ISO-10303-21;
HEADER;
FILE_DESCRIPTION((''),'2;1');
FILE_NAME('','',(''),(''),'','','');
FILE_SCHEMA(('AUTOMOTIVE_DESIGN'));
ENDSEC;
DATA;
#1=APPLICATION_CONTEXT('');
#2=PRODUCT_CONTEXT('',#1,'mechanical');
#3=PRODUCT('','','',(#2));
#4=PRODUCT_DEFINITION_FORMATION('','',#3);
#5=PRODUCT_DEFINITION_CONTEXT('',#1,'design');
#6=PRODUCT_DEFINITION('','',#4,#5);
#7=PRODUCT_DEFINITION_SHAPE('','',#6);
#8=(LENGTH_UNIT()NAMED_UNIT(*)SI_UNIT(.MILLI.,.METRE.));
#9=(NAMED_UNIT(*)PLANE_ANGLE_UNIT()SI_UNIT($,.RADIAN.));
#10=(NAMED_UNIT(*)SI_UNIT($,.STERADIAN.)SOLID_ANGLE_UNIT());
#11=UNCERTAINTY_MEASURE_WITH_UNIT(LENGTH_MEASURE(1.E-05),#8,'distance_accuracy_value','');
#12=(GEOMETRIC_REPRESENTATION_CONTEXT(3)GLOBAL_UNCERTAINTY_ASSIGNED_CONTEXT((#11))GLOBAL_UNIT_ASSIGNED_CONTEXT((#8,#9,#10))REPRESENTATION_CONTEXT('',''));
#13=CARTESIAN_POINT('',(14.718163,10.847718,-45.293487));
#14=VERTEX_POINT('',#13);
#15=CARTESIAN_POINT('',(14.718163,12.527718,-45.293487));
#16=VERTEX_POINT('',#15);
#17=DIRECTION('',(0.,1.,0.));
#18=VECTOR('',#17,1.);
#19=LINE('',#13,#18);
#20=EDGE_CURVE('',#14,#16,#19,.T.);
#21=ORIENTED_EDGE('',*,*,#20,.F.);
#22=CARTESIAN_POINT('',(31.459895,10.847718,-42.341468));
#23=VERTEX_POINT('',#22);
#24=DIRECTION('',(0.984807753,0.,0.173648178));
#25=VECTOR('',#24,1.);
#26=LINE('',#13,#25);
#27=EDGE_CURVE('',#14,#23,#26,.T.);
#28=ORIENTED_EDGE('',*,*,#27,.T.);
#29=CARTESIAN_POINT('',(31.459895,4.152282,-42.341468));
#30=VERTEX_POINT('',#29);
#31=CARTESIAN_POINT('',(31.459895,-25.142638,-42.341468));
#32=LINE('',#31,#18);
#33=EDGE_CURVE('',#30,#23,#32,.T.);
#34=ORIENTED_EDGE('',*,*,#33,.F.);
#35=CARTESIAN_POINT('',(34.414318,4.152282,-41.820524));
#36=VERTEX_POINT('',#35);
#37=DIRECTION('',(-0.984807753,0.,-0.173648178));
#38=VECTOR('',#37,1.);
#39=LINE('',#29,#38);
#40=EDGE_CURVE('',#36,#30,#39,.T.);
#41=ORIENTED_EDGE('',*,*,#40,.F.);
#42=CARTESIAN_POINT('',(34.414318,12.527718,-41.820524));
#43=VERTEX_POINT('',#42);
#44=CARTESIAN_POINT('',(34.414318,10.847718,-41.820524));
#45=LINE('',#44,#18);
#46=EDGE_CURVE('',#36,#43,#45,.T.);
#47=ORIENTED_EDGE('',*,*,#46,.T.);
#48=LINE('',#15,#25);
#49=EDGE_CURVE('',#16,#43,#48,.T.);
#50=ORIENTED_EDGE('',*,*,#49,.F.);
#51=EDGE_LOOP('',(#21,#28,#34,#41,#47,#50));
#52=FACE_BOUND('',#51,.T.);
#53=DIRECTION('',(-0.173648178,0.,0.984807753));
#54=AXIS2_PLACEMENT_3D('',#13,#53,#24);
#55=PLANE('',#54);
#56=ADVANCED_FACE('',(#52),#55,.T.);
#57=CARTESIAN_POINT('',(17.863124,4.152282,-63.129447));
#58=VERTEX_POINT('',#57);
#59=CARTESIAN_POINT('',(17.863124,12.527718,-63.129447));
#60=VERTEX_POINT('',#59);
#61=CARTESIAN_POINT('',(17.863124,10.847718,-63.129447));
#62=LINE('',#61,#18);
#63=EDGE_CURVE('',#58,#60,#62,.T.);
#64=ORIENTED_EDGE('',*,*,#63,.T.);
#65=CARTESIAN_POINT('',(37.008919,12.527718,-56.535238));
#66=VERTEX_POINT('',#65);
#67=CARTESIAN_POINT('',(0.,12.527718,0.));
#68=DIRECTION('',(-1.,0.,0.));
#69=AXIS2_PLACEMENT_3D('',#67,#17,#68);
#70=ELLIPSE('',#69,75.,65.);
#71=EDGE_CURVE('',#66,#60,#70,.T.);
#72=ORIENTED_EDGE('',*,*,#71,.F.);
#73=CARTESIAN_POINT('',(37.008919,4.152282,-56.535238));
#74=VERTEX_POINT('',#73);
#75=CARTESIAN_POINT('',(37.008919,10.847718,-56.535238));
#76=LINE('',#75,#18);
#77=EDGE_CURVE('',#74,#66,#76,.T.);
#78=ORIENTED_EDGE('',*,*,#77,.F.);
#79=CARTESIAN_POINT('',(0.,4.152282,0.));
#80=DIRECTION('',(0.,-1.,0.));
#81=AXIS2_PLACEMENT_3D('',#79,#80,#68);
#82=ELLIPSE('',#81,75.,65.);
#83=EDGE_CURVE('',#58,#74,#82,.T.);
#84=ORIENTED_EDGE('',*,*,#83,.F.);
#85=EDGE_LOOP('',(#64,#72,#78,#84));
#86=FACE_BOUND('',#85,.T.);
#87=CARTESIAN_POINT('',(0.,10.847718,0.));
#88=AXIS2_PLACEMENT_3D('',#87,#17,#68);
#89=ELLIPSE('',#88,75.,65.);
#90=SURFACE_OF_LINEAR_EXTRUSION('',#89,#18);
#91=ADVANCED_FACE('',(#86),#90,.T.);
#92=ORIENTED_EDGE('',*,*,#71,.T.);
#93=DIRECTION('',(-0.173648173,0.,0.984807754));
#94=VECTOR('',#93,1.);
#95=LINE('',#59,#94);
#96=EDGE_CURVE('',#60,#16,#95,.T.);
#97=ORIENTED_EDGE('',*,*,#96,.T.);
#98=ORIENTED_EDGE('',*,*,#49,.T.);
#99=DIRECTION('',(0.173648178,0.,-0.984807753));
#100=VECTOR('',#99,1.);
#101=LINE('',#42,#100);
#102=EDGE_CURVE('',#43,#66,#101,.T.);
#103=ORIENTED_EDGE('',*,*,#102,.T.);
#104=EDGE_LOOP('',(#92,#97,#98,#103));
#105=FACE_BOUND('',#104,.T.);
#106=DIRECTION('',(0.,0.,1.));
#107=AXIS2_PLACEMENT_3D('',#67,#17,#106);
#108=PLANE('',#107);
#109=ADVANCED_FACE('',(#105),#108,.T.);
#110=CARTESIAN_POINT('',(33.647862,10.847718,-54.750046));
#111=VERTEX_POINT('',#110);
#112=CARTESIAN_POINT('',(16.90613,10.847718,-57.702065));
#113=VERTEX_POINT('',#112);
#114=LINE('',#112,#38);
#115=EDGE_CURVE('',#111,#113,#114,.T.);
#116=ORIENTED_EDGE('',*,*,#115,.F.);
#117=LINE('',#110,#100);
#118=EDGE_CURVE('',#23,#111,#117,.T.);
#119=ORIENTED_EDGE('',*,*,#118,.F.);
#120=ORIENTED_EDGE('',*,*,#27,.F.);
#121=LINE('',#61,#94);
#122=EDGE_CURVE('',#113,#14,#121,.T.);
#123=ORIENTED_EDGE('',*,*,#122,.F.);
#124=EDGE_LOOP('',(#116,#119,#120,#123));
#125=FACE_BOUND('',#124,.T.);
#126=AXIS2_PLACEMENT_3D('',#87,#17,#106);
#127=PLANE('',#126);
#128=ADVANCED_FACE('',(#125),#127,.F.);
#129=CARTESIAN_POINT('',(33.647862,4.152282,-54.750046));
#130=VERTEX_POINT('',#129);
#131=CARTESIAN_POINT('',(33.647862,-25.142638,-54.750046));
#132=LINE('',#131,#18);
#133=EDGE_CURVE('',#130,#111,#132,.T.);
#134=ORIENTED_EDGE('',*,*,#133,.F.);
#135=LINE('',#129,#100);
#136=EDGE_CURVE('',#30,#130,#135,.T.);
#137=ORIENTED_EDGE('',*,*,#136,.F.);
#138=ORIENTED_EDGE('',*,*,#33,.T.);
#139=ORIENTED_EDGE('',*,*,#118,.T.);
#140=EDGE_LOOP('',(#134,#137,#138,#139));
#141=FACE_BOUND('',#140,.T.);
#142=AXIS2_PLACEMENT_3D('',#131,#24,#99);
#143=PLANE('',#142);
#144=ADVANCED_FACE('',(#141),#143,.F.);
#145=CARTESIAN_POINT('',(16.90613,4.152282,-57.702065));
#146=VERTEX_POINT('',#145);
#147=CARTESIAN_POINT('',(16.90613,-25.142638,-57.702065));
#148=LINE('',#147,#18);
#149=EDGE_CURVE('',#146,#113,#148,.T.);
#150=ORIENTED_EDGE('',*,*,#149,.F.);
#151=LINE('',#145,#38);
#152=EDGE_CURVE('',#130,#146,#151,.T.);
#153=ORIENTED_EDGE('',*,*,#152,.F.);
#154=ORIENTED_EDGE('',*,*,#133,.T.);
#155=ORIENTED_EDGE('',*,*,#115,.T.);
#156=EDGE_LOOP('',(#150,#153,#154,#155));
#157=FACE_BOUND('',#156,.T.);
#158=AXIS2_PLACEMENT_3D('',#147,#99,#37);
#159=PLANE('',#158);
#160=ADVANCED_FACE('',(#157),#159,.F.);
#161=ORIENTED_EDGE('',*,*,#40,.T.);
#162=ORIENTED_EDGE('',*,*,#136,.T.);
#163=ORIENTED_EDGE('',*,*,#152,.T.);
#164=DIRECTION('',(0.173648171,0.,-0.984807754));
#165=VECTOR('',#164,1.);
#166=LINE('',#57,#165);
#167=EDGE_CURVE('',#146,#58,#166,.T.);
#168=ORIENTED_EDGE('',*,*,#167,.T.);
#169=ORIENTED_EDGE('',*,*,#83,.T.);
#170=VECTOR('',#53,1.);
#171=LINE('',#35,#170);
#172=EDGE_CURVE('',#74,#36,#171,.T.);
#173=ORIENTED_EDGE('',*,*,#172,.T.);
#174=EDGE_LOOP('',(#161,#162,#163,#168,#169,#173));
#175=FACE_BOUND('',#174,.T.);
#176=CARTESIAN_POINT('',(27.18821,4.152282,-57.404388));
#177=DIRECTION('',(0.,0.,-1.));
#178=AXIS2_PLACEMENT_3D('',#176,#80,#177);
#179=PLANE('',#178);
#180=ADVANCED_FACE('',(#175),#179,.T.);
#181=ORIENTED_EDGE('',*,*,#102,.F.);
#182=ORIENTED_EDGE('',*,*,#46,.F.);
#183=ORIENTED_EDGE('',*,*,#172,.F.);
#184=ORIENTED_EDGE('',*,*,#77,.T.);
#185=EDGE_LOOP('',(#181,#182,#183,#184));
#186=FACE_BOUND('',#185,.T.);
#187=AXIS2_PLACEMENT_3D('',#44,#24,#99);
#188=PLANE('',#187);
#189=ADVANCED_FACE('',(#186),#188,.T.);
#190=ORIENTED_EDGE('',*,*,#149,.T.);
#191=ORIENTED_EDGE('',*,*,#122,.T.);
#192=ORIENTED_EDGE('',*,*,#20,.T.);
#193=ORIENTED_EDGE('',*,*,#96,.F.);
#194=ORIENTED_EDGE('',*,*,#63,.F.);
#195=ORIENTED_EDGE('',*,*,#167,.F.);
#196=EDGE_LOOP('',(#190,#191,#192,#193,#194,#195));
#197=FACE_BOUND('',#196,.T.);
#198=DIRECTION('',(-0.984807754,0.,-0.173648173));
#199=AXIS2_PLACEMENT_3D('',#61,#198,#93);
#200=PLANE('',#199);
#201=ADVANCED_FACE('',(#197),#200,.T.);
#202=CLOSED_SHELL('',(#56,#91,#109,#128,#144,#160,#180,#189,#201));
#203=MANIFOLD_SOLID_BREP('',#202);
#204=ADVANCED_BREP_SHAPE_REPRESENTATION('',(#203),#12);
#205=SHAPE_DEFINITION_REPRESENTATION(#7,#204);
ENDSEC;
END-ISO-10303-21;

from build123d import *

# Parameters (mm, degrees)
BOSS_EXTRUDE7_DEPTH = 1.68
BOSS_EXTRUDE8_DEPTH = 6.695435


with BuildPart() as part:
    # Sketch23 → Boss-Extrude7 (new body)
    with BuildSketch(Plane(origin=(0, 12.527717687, 0), x_dir=(1, 0, 0), z_dir=(0, 1, 0))):
        with BuildLine():
            Line((17.863123843, 63.129446847), (14.718163043, 45.293487391))
            Line((14.718163043, 45.293487391), (34.414318061, 41.820523845))
            Line((34.414318061, 41.820523845), (37.008919102, 56.535237557))
            add(Edge.make_bspline(
                [(37.008919102, 56.535237557), (27.963542945, 60.982758463), (17.863123843, 63.129446847)],
                knots=[4.196334531, 4.196334531, 4.196334531, 4.471902655, 4.471902655, 4.471902655], degree=2, weights=[1, 0.990522784, 1]))
        make_face()
    extrude(amount=-BOSS_EXTRUDE7_DEPTH)

    # Sketch24 → Boss-Extrude8 (add)
    with BuildSketch(Plane.XZ.offset(-10.847717687)):
        with BuildLine():
            Line((16.906130039, -57.702065086), (33.647861841, -54.750046066))
            Line((33.647861841, -54.750046066), (31.459894802, -42.341468378))
            Line((31.459894802, -42.341468378), (34.414318061, -41.820523845))
            Line((34.414318061, -41.820523845), (37.008919102, -56.535237557))
            add(Edge.make_bspline(
                [(17.863123843, -63.129446847), (27.963542945, -60.982758463), (37.008919102, -56.535237557)],
                knots=[1.811282652, 1.811282652, 1.811282652, 2.086850776, 2.086850776, 2.086850776], degree=2, weights=[1, 0.990522784, 1]))
            Line((17.863123843, -63.129446847), (16.906130039, -57.702065086))
        make_face()
    extrude(amount=BOSS_EXTRUDE8_DEPTH)


solid = part.part
